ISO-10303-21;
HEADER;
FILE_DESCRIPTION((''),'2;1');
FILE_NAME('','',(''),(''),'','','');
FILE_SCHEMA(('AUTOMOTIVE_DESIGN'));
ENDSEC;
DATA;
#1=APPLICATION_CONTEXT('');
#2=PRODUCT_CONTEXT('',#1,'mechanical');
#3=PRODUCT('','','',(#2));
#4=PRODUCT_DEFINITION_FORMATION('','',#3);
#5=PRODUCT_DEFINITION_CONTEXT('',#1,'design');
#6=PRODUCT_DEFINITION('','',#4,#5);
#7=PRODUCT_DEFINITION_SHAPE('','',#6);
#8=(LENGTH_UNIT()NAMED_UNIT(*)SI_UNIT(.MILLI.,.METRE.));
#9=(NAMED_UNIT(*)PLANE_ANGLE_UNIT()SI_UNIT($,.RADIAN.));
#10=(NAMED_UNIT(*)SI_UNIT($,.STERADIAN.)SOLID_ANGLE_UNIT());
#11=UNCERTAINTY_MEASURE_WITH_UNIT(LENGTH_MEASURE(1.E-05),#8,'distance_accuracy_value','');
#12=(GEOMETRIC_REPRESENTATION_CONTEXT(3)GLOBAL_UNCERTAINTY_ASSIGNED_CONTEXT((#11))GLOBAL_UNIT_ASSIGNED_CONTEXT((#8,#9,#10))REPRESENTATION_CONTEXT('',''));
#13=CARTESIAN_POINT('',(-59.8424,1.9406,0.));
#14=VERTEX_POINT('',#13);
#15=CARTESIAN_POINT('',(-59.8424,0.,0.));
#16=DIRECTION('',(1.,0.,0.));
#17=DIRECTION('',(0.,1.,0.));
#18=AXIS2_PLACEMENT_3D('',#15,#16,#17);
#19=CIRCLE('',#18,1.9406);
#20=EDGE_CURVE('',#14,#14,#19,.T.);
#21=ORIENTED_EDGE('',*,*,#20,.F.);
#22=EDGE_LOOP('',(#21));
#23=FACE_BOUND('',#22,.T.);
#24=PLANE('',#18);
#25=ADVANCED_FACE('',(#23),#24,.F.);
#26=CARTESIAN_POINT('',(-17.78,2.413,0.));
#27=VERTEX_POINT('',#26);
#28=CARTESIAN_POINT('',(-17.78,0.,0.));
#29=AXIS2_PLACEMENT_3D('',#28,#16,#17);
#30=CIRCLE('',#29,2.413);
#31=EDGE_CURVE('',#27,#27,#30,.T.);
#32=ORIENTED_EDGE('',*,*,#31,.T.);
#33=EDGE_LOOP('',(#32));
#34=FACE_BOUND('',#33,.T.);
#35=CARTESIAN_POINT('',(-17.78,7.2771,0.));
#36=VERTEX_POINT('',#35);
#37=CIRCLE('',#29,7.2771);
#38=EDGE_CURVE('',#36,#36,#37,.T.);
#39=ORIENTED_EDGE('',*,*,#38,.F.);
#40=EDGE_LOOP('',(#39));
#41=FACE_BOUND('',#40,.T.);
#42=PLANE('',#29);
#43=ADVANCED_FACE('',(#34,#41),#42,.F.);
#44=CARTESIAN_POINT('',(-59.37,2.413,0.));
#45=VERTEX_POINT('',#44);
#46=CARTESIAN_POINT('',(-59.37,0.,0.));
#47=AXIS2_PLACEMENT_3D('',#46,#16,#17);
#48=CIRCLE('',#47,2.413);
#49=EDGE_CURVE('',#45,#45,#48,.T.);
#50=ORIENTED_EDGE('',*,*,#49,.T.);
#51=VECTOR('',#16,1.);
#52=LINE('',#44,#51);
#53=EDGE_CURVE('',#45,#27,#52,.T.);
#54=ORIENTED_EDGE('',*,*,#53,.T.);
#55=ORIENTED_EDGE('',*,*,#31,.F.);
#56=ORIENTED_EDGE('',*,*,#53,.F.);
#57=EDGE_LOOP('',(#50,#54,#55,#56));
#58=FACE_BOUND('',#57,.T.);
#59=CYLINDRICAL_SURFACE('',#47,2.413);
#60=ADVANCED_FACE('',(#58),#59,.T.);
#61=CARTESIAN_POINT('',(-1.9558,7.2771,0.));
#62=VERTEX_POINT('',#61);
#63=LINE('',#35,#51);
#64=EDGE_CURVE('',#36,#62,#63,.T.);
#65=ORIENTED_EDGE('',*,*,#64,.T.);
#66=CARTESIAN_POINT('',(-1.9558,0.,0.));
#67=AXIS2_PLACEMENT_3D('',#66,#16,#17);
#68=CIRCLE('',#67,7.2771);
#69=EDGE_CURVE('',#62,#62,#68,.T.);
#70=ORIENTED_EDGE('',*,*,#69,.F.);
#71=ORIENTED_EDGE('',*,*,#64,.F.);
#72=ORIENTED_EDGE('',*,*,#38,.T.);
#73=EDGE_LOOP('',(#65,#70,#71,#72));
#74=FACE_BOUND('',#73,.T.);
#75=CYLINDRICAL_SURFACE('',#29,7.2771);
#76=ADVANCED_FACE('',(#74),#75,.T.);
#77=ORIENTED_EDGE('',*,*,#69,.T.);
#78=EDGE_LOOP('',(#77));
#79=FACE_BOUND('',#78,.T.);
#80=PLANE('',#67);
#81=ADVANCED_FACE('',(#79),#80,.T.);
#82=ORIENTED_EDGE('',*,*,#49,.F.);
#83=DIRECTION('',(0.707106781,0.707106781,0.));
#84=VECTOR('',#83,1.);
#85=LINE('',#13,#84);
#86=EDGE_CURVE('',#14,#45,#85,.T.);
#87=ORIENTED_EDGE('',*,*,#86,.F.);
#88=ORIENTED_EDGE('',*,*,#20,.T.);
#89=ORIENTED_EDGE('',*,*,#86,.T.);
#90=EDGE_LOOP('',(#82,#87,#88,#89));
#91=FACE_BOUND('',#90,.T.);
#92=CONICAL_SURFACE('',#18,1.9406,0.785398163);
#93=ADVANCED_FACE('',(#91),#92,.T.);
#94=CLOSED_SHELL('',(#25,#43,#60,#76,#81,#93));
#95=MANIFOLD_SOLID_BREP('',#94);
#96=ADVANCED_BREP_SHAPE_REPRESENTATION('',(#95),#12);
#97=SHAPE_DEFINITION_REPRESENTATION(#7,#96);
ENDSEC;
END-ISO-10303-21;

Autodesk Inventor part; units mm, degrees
sketch "Sketch_5" plane through (0, 0, 0) normal (0, 0, 1) x (1, 0, 0)
  line L0 (-9.525, 0) -> (-59.8424, 0)
  line L1 (-59.8424, 0) -> (-59.8424, 1.9406)
  line L2 (-59.8424, 1.9406) -> (-59.37, 2.413)
  line L3 (-59.37, 2.413) -> (-9.525, 2.413)
  line L4 (-9.525, 2.413) -> (-9.525, 0)
  line L5 (-9.525, 0) -> (-59.8424, 0)
revolve "Revolution1" add sketch "Sketch_5" angle 360 about axis through (-9.525, 0, 0) along (1, 0, 0)
sketch "Sketch_14" plane through (0, 0, 0) normal (0, 0, 1) x (1, 0, 0)
  line L0 (-1.9558, 0) -> (-17.78, 0)
  line L1 (-17.78, 0) -> (-17.78, 7.2771)
  line L2 (-17.78, 7.2771) -> (-1.9558, 7.2771)
  line L3 (-1.9558, 7.2771) -> (-1.9558, 0)
  line L4 (-1.9558, 0) -> (-17.78, 0)
revolve "Revolution2" add sketch "Sketch_14" angle 360 about axis through (-1.9558, 0, 0) along (1, 0, 0)
ref_plane "h1_XY" through (-59.8424, 0, 0) normal (0, 1, 0) x (1, 0, 0)
ref_plane "h1_YZ" through (-59.8424, 0, 0) normal (1, 0, 0) x (0, 0, -1)
ref_plane "h1_ZX" through (-59.8424, 0, 0) normal (0, 0, -1) x (0, 1, 0)
ref_plane "h2_XY" through (-59.8424, 0, 0) normal (0, 1, 0) x (1, 0, 0)
ref_plane "h2_YZ" through (-59.8424, 0, 0) normal (1, 0, 0) x (0, 0, -1)
ref_plane "h2_ZX" through (-59.8424, 0, 0) normal (0, 0, -1) x (0, 1, 0)
ref_plane "k1_XY" through (-59.8424, 0, -2.413) normal (0, 1, 0) x (1, 0, 0)
ref_plane "k1_YZ" through (-59.8424, 0, -2.413) normal (1, 0, 0) x (0, 0, -1)
ref_plane "k1_ZX" through (-59.8424, 0, -2.413) normal (0, 0, -1) x (0, 1, 0)
ref_plane "k2_XY" through (-59.8424, 0, 2.413) normal (0, 1, 0) x (1, 0, 0)
ref_plane "k2_YZ" through (-59.8424, 0, 2.413) normal (1, 0, 0) x (0, 0, -1)
ref_plane "k2_ZX" through (-59.8424, 0, 2.413) normal (0, 0, -1) x (0, 1, 0)
ref_plane "start_XY" through (-47.1424, 0, 0) normal (0, 1, 0) x (1, 0, 0)
ref_plane "start_YZ" through (-47.1424, 0, 0) normal (1, 0, 0) x (0, 0, -1)
ref_plane "start_ZX" through (-47.1424, 0, 0) normal (0, 0, -1) x (0, 1, 0)
ref_plane "to_prc_XY" through (-59.8424, 0, 0) normal (1, 0, 0) x (0, 0, -1)
ref_plane "to_prc_YZ" through (-59.8424, 0, 0) normal (0, 0, -1) x (0, 1, 0)
ref_plane "to_prc_ZX" through (-59.8424, 0, 0) normal (0, 1, 0) x (1, 0, 0)
ref_plane "to_rod_guide_XY" through (-59.8424, 0, 0) normal (1, 0, 0) x (0, 0, -1)
ref_plane "to_rod_guide_YZ" through (-59.8424, 0, 0) normal (0, 0, -1) x (0, 1, 0)
ref_plane "to_rod_guide_ZX" through (-59.8424, 0, 0) normal (0, 1, 0) x (1, 0, 0)
properties part number "D-95380.5-1.5XP-2.356-3pos"
